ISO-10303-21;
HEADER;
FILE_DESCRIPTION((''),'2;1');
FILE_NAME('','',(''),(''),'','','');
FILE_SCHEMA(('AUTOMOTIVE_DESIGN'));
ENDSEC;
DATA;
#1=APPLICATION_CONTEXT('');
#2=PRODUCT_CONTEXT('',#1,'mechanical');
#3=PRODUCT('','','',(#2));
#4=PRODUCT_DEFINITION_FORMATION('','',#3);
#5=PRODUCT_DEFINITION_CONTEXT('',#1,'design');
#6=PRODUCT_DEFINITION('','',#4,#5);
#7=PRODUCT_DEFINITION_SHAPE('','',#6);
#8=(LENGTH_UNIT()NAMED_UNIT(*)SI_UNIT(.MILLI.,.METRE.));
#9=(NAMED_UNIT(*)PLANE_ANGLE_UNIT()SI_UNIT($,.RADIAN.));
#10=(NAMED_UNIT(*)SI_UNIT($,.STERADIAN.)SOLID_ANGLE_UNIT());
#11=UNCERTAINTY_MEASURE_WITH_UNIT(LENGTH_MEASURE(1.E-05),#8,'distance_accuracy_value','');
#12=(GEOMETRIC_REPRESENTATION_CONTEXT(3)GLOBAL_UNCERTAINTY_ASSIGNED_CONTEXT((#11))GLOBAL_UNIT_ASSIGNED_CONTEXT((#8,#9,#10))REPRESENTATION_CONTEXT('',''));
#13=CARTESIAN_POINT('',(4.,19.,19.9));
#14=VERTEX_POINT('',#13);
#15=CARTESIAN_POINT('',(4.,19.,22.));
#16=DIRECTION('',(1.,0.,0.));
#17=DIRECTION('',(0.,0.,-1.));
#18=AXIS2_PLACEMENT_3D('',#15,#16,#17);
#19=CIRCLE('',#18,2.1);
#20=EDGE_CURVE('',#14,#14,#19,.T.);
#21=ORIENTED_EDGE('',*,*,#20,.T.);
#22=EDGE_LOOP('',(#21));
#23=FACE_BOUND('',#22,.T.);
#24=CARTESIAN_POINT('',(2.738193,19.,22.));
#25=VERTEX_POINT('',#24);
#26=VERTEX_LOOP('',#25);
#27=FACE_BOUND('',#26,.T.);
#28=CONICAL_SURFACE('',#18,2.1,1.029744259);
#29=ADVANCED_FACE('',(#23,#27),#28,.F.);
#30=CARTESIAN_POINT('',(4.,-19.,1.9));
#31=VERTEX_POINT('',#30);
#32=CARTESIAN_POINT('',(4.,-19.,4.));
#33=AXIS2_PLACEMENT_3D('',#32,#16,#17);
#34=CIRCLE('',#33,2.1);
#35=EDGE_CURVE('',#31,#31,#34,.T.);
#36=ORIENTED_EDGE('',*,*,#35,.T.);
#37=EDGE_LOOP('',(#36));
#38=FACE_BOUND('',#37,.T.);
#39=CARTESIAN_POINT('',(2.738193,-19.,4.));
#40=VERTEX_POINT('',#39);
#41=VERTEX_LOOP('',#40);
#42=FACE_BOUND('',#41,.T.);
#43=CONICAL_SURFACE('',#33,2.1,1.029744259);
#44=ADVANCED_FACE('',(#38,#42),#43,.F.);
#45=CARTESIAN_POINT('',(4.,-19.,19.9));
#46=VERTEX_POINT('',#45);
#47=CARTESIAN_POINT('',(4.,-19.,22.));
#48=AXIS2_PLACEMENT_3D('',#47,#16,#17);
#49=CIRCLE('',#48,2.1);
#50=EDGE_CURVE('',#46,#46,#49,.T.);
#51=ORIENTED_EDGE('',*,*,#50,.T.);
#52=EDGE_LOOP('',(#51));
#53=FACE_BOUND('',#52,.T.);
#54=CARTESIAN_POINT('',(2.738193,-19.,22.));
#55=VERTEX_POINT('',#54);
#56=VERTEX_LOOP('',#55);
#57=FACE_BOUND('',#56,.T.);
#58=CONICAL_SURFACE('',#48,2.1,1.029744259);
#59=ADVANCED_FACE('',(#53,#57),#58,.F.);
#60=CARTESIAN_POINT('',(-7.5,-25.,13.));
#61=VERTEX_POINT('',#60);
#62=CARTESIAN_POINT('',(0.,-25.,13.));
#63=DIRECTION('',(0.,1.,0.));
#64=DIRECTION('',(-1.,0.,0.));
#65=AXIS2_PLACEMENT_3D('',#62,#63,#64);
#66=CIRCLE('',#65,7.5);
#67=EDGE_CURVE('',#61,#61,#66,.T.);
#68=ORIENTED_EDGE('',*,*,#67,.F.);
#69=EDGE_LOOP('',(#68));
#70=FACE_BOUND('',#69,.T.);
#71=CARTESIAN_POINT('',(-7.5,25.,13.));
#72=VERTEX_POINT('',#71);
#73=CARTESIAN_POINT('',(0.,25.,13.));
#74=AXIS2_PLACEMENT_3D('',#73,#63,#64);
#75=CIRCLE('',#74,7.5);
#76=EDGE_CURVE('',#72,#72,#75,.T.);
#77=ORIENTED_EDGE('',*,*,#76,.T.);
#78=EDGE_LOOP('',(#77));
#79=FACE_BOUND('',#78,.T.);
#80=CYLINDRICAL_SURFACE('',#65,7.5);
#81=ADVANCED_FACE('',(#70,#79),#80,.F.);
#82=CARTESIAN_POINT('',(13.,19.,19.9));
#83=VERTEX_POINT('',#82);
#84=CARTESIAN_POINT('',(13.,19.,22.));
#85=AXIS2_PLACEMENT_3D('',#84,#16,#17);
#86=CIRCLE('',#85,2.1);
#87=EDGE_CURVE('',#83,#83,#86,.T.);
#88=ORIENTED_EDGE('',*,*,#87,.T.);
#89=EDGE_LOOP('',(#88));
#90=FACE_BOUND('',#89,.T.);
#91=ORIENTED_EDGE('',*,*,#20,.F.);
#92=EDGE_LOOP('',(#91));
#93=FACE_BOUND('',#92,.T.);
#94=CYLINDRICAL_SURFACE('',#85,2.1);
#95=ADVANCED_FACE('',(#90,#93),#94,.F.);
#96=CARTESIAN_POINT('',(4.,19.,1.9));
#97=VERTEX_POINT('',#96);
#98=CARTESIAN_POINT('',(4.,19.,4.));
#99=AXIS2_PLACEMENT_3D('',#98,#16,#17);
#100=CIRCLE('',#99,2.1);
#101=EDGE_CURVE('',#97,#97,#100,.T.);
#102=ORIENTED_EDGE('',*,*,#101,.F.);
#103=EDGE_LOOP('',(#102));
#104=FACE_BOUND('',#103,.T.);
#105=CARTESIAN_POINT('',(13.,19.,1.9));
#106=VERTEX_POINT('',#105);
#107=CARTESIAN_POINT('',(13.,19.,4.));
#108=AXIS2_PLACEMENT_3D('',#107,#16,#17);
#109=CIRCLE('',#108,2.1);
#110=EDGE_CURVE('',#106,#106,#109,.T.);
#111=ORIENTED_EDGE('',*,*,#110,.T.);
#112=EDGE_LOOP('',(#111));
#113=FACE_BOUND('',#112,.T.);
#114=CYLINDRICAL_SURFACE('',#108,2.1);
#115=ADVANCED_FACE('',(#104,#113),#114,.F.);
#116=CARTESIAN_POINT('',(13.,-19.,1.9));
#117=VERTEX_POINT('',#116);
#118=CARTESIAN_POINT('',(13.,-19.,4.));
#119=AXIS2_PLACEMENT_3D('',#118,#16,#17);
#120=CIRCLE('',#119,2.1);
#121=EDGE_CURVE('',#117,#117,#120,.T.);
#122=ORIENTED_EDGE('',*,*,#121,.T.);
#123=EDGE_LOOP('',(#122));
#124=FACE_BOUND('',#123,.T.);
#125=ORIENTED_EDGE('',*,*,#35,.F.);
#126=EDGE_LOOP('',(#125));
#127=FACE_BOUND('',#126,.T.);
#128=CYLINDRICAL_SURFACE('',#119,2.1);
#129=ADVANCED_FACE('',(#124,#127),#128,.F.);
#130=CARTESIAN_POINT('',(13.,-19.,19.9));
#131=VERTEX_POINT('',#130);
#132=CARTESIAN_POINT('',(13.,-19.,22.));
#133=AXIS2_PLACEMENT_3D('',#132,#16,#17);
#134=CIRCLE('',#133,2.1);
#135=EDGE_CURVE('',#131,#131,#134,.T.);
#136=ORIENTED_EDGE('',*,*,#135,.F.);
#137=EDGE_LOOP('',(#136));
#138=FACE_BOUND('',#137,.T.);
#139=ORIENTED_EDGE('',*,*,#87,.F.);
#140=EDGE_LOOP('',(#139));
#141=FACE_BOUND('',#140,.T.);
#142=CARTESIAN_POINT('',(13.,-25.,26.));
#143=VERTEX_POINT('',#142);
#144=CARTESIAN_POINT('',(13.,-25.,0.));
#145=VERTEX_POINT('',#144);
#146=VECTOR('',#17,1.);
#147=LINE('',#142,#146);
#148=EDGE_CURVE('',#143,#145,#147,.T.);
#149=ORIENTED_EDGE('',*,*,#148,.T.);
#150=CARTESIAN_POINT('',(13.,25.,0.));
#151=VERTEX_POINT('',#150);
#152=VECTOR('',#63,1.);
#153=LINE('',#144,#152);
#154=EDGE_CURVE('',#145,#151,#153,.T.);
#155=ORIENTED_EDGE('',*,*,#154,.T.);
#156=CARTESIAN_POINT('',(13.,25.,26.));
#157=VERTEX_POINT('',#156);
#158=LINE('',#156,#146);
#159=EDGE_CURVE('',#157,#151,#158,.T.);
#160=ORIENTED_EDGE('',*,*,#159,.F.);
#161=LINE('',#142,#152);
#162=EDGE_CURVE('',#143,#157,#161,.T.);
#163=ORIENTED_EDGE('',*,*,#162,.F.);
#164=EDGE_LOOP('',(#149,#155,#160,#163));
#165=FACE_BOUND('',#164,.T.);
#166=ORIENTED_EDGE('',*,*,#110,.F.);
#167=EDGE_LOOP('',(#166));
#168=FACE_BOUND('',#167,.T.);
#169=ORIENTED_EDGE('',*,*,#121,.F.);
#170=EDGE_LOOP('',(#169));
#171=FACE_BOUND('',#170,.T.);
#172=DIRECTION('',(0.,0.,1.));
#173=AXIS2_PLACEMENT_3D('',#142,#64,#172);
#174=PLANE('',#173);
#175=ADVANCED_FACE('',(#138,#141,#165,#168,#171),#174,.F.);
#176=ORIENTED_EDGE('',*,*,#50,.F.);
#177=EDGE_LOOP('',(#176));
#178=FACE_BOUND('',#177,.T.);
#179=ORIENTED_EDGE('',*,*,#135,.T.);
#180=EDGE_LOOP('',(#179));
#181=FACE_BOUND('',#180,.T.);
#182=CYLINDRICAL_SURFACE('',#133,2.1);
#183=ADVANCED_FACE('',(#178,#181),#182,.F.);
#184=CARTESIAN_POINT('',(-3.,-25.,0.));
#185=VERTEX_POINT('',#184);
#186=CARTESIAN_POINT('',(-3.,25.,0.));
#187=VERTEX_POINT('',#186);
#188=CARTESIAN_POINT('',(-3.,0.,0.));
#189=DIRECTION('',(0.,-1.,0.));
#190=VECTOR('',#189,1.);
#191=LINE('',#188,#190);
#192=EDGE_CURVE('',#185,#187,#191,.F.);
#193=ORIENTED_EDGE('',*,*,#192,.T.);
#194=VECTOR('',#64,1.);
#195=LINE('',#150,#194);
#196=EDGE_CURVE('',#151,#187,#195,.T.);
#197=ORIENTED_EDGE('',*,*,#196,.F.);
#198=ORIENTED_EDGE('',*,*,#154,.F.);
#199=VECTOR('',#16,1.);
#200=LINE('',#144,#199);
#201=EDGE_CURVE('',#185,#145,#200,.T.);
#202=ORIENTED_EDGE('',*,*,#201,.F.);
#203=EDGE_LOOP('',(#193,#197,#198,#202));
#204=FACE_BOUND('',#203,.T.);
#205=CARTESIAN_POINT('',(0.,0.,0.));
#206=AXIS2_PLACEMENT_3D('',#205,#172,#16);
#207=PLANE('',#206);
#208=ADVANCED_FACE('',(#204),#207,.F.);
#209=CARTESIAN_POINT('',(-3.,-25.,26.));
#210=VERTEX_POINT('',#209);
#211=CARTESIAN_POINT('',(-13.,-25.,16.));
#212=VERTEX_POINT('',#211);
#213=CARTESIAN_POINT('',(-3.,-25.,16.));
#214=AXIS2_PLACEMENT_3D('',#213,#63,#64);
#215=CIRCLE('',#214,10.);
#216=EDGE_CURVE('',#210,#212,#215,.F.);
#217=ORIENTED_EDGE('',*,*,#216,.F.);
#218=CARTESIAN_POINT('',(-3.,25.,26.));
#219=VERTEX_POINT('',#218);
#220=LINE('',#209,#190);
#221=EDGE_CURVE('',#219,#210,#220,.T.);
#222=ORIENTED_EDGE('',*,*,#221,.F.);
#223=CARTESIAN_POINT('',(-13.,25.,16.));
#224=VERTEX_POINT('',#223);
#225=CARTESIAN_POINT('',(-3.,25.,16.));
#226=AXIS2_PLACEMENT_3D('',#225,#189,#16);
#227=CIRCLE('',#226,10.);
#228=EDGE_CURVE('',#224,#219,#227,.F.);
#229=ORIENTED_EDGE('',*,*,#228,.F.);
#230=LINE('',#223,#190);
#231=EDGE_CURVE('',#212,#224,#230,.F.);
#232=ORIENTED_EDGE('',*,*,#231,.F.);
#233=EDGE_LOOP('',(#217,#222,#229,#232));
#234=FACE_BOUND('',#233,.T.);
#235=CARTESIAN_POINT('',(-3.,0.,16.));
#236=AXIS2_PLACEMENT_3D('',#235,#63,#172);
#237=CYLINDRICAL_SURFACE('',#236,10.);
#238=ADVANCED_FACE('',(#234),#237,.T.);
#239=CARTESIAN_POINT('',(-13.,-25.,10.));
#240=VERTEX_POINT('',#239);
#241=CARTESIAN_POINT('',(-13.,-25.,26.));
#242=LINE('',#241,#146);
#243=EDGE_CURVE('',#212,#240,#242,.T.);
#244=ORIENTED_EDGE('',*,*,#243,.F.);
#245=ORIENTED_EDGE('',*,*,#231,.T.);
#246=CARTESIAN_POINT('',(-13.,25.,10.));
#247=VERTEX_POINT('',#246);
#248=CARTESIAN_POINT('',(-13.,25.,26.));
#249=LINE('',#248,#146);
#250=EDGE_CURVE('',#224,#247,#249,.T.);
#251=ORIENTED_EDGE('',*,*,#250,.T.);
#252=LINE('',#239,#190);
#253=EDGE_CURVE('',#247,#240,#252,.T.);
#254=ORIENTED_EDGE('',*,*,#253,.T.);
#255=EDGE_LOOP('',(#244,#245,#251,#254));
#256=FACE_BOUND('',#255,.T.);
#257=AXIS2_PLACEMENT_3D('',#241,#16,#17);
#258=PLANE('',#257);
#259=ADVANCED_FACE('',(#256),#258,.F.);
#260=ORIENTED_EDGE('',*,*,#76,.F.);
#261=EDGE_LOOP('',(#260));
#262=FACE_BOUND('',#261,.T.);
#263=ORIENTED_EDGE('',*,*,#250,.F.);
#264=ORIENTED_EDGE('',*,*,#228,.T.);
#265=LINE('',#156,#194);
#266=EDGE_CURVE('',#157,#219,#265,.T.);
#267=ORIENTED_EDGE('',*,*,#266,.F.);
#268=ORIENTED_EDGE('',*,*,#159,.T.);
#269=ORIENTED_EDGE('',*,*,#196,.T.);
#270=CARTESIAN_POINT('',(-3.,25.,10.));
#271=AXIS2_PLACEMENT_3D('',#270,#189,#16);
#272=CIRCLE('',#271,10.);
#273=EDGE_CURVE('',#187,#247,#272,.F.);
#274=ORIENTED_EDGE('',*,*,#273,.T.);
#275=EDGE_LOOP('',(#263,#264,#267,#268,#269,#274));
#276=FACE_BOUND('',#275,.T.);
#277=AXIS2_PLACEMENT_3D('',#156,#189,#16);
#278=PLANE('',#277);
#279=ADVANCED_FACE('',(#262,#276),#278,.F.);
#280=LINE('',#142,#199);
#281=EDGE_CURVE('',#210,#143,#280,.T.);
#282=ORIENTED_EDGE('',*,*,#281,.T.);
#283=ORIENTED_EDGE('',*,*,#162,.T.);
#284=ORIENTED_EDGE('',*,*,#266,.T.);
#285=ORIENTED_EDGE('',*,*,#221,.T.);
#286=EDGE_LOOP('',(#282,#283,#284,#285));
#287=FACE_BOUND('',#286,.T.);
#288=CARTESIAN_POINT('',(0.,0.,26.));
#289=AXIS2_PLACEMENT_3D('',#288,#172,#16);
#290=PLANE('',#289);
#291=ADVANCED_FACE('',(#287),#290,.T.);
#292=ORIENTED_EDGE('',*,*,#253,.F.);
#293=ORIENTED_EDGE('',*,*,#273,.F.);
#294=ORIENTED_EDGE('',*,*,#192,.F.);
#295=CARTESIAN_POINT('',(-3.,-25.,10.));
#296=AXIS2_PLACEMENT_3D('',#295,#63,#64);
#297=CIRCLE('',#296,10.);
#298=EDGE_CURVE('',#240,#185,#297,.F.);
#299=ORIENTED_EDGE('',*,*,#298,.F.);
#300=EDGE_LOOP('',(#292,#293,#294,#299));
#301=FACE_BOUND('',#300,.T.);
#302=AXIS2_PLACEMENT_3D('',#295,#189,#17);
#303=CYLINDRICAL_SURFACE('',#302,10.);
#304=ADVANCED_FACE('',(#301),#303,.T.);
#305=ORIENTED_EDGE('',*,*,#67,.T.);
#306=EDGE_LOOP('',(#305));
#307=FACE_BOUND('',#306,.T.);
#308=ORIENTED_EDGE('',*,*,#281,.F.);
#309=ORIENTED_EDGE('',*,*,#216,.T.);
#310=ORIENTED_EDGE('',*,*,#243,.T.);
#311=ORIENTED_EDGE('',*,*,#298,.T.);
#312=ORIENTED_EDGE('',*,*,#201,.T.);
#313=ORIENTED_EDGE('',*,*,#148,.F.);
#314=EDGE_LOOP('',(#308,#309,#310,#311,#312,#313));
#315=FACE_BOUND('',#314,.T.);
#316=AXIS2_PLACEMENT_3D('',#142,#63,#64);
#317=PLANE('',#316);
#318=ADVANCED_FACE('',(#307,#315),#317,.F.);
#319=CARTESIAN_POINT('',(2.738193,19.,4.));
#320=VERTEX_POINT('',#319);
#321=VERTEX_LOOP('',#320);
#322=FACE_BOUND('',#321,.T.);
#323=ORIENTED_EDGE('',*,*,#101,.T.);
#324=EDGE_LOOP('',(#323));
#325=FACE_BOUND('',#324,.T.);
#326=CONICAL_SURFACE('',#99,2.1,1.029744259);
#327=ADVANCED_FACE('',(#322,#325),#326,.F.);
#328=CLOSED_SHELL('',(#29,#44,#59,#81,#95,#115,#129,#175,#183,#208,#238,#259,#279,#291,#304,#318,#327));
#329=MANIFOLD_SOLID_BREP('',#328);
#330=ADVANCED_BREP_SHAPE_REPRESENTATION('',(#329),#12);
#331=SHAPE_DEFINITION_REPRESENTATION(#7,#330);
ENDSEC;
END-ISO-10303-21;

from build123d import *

# Parameters (mm, degrees)
SKIZZE1_W                       = 26
SKIZZE1_H                       = 50
AUFSATZ_LINEAR_AUSTRAGEN1_DEPTH = 26
VERRUNDUNG1_R                   = 10
SKIZZE2_R                       = 7.5
SCHNITT_LINEAR_AUSTRAGEN1_DEPTH = 58.835974964
M5_GEWINDEBOHRUNG1_D            = 4.2
M5_GEWINDEBOHRUNG1_DEPTH        = 9
M5_GEWINDEBOHRUNG1_TIP          = 1.2618073


with BuildPart() as part:
    # Skizze1 → Aufsatz-Linear austragen1 (new body)
    with BuildSketch(Plane.XY):
        Rectangle(SKIZZE1_W, SKIZZE1_H)
    extrude(amount=AUFSATZ_LINEAR_AUSTRAGEN1_DEPTH)

    # Verrundung1
    verrundung1_edges = [part.edges().sort_by_distance(p)[0] for p in [
        (-13, 0, 26),
        (-13, 0, 0),
    ]]
    fillet(verrundung1_edges, radius=VERRUNDUNG1_R)

    # Skizze2 → Schnitt-Linear austragen1 (cut, through all)
    with BuildSketch(Plane(origin=(0, 25, 0), x_dir=(1, 0, 0), z_dir=(0, 1, 0))):
        with Locations(Location((0, -13, 0), (0, 0, 180))):
            Circle(SKIZZE2_R)
    extrude(amount=-SCHNITT_LINEAR_AUSTRAGEN1_DEPTH, mode=Mode.SUBTRACT)

    # M5 Gewindebohrung1
    with Locations(Plane(origin=(13, 0, 0), x_dir=(0, 0, -1), z_dir=(1, 0, 0))):
        with Locations((-22, 19), (-4, 19), (-22, -19), (-4, -19)):
            Hole(M5_GEWINDEBOHRUNG1_D / 2, depth=M5_GEWINDEBOHRUNG1_DEPTH)
            with Locations((0, 0, -(M5_GEWINDEBOHRUNG1_DEPTH + M5_GEWINDEBOHRUNG1_TIP / 2))):  # 118° drill point
                Cone(0, M5_GEWINDEBOHRUNG1_D / 2, M5_GEWINDEBOHRUNG1_TIP, mode=Mode.SUBTRACT)


solid = part.part
